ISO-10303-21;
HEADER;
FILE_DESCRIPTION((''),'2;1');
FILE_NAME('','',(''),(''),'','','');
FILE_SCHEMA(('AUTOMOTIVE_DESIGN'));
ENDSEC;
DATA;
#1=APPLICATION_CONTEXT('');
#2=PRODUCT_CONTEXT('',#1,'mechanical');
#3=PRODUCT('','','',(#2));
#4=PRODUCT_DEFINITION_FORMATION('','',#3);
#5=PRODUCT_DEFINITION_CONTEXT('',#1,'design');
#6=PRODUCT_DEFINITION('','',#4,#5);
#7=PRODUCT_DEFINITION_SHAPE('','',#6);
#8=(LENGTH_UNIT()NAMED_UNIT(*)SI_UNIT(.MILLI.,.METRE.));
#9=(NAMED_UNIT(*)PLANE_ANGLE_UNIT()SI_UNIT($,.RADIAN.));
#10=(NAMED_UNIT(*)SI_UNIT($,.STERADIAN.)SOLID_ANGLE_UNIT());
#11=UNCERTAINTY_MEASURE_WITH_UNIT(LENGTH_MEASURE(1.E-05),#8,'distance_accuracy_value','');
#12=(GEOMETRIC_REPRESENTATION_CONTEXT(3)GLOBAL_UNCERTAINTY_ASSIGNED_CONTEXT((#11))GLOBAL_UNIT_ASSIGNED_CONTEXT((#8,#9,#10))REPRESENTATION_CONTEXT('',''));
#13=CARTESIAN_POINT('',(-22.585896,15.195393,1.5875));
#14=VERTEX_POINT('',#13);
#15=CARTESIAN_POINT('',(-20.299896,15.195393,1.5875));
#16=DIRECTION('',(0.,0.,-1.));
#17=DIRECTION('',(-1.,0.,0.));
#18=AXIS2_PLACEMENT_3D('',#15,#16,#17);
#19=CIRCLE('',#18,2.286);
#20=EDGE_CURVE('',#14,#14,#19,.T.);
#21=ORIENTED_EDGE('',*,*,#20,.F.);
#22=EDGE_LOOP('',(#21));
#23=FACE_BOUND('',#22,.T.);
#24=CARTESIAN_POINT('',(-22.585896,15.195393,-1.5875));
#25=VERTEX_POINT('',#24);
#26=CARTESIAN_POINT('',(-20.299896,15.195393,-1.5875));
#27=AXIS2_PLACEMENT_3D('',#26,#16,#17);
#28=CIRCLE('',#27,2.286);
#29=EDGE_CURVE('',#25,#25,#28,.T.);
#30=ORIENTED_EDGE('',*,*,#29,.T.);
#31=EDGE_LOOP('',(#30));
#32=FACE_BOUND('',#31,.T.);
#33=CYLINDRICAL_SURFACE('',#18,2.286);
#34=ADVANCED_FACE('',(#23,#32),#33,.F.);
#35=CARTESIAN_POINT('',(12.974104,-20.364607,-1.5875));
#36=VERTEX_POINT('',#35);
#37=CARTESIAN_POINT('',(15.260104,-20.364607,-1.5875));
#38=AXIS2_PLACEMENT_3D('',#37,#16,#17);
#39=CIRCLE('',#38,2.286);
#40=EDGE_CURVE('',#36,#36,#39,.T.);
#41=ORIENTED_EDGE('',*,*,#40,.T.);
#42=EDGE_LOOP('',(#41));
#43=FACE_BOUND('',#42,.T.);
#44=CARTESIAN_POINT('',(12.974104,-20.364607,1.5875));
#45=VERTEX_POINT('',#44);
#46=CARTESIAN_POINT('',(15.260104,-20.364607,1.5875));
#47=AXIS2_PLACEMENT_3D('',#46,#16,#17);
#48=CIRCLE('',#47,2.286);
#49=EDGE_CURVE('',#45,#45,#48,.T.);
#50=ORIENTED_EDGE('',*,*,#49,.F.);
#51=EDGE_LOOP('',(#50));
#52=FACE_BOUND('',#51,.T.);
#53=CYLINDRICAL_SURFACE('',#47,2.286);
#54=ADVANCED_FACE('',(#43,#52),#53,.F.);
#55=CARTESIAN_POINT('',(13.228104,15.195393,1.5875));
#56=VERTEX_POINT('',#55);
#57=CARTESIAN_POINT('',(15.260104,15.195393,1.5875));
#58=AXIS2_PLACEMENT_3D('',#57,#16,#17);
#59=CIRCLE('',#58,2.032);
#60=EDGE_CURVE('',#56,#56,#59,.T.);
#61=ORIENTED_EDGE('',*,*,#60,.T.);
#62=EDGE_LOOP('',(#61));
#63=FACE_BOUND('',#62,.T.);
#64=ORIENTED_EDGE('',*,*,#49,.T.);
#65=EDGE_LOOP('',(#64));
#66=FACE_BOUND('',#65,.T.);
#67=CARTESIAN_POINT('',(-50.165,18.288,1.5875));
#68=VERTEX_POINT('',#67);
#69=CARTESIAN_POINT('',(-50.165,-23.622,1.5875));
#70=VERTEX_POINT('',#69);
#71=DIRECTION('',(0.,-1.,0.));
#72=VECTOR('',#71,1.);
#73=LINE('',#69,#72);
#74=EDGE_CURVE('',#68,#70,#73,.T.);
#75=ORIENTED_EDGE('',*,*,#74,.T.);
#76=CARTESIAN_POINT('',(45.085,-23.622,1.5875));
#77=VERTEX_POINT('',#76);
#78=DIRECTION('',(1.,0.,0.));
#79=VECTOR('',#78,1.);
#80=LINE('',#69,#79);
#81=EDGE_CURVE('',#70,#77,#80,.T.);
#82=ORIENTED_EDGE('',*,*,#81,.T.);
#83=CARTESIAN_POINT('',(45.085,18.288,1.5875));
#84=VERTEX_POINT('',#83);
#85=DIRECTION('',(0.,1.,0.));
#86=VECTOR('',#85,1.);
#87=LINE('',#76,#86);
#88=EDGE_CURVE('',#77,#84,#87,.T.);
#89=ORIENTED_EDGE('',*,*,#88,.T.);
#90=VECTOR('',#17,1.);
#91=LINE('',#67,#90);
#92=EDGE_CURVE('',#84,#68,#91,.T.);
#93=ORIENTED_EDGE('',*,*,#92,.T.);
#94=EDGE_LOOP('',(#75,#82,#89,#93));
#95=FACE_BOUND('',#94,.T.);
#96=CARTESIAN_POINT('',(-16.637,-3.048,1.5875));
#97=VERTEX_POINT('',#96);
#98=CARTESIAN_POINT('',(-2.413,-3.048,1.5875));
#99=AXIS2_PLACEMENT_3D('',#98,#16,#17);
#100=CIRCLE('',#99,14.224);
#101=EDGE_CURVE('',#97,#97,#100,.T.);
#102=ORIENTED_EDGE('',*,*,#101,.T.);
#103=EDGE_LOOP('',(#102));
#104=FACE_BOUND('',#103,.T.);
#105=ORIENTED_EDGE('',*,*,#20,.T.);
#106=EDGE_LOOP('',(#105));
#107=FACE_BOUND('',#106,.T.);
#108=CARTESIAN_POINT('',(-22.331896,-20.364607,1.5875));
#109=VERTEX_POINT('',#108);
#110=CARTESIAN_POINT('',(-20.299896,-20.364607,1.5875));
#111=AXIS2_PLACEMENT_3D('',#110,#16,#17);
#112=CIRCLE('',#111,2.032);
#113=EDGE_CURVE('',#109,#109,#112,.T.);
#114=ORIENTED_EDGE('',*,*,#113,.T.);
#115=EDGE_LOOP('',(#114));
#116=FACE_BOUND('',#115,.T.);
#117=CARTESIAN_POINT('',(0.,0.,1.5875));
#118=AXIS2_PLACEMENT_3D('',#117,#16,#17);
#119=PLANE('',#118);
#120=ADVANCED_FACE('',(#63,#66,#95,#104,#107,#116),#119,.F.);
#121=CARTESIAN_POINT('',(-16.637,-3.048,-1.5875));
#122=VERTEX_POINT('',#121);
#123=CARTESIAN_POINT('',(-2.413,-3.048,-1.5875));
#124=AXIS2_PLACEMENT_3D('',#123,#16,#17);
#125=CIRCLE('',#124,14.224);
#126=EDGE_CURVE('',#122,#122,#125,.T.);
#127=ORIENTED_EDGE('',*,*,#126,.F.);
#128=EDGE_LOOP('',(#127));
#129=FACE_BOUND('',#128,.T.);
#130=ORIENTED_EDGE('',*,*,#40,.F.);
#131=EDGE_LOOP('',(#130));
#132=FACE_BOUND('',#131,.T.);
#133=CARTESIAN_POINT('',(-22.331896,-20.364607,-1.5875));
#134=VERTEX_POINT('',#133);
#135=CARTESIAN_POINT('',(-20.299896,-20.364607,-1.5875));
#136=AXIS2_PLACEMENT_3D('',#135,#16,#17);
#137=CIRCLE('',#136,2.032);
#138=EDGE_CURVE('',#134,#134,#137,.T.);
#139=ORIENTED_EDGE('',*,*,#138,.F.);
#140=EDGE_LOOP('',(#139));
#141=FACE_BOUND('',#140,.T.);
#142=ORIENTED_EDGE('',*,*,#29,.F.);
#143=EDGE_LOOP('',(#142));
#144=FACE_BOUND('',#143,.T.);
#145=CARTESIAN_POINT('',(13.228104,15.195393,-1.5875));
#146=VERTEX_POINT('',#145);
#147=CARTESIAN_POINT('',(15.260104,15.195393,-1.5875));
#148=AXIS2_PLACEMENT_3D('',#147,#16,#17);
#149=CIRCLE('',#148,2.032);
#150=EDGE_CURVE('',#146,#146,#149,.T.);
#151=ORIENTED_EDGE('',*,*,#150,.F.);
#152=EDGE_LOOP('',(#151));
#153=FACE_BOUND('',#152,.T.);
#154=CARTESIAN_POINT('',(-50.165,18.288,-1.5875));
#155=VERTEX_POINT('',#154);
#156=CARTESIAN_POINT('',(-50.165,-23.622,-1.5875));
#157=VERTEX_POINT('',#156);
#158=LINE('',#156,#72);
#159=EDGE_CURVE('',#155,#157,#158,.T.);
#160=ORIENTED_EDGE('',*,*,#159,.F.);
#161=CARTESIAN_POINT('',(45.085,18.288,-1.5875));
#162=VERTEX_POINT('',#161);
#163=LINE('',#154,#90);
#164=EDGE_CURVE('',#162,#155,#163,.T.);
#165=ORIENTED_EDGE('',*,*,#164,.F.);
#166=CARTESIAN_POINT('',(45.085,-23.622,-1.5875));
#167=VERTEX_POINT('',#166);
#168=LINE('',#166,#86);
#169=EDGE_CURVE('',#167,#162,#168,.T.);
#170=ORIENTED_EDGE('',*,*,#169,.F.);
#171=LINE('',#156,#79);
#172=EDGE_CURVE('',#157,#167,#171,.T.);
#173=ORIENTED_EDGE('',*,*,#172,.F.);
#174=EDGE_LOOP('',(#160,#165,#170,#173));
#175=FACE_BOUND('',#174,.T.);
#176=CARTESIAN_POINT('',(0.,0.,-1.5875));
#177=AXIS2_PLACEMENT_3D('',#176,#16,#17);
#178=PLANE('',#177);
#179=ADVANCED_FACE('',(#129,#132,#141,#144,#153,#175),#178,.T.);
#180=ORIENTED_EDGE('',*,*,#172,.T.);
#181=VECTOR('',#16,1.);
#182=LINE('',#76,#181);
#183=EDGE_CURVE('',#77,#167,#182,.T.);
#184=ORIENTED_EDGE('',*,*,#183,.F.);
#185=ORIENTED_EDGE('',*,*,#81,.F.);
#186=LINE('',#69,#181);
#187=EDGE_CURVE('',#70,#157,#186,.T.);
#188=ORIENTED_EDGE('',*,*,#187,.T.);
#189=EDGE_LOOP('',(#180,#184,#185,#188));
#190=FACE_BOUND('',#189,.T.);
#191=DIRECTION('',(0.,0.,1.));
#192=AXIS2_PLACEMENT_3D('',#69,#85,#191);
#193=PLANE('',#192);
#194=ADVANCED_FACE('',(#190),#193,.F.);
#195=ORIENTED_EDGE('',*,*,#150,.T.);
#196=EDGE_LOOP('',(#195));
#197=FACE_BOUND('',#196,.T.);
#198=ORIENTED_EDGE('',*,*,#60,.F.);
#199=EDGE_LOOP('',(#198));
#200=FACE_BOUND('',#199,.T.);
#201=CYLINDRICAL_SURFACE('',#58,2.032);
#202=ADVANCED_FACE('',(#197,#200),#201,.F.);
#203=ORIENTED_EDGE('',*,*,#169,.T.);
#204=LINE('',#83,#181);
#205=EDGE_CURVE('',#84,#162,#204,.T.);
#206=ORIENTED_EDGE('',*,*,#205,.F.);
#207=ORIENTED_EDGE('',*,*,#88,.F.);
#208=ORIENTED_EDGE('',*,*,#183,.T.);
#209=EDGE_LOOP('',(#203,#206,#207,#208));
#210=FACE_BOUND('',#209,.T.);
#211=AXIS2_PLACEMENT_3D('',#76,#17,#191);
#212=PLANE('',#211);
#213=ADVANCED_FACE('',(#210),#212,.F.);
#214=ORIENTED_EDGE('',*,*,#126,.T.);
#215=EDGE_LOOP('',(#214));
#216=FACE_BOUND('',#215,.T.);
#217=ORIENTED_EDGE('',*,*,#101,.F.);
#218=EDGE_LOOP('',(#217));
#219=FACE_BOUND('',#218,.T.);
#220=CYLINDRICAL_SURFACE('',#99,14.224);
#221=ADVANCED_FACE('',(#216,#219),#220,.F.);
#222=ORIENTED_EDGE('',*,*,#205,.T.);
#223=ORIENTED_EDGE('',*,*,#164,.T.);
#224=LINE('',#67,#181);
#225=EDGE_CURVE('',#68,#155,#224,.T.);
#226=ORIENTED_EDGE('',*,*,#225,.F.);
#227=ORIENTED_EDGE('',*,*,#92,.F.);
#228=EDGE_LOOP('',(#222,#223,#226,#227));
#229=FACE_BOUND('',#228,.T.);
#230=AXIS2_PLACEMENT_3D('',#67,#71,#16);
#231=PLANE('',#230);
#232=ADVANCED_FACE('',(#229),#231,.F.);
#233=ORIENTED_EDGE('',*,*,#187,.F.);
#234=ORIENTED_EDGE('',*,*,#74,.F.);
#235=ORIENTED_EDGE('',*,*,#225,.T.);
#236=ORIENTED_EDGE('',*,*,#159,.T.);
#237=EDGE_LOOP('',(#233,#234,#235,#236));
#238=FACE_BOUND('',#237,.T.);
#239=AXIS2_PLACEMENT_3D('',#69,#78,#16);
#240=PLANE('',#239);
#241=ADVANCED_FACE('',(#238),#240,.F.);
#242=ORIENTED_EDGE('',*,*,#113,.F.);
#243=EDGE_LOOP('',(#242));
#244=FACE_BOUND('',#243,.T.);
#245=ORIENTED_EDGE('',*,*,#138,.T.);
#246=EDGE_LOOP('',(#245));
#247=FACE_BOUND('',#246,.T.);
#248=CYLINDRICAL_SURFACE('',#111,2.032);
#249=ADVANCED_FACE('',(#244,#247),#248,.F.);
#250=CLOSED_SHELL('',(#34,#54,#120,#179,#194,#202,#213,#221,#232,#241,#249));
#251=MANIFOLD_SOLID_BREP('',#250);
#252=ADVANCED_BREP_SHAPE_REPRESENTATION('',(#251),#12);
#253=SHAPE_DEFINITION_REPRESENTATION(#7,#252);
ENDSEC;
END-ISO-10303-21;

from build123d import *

# Parameters (mm, degrees)
SKETCH1_W           = 95.25
SKETCH1_H           = 41.91
BOSS_EXTRUDE1_DEPTH = 1.5875
SKETCH2_R           = 14.224
SKETCH2_R_2         = 2.286
SKETCH2_R_3         = 2.032
CUT_EXTRUDE1_DEPTH  = 3.175


with BuildPart() as part:
    # Sketch1 → Boss-Extrude1 (new, symmetric)
    with BuildSketch(Plane.XY):
        with Locations((-2.54, -2.667)):
            Rectangle(SKETCH1_W, SKETCH1_H)
    extrude(amount=BOSS_EXTRUDE1_DEPTH, both=True)

    # Sketch2 → Cut-Extrude1 (cut)
    with BuildSketch(Plane(origin=(0, 0, -1.5875), x_dir=(-1, 0, 0), z_dir=(0, 0, -1))):
        with Locations((2.413, -3.048)):
            Circle(SKETCH2_R)
        with Locations((-15.260103904, -20.364606719)):
            Circle(SKETCH2_R_2)
        with Locations((-15.260103904, 15.195393281)):
            Circle(SKETCH2_R_3)
        with Locations((20.299896096, 15.195393281)):
            Circle(SKETCH2_R_2)
        with Locations((20.299896096, -20.364606719)):
            Circle(SKETCH2_R_3)
    extrude(amount=-CUT_EXTRUDE1_DEPTH, mode=Mode.SUBTRACT)


solid = part.part
